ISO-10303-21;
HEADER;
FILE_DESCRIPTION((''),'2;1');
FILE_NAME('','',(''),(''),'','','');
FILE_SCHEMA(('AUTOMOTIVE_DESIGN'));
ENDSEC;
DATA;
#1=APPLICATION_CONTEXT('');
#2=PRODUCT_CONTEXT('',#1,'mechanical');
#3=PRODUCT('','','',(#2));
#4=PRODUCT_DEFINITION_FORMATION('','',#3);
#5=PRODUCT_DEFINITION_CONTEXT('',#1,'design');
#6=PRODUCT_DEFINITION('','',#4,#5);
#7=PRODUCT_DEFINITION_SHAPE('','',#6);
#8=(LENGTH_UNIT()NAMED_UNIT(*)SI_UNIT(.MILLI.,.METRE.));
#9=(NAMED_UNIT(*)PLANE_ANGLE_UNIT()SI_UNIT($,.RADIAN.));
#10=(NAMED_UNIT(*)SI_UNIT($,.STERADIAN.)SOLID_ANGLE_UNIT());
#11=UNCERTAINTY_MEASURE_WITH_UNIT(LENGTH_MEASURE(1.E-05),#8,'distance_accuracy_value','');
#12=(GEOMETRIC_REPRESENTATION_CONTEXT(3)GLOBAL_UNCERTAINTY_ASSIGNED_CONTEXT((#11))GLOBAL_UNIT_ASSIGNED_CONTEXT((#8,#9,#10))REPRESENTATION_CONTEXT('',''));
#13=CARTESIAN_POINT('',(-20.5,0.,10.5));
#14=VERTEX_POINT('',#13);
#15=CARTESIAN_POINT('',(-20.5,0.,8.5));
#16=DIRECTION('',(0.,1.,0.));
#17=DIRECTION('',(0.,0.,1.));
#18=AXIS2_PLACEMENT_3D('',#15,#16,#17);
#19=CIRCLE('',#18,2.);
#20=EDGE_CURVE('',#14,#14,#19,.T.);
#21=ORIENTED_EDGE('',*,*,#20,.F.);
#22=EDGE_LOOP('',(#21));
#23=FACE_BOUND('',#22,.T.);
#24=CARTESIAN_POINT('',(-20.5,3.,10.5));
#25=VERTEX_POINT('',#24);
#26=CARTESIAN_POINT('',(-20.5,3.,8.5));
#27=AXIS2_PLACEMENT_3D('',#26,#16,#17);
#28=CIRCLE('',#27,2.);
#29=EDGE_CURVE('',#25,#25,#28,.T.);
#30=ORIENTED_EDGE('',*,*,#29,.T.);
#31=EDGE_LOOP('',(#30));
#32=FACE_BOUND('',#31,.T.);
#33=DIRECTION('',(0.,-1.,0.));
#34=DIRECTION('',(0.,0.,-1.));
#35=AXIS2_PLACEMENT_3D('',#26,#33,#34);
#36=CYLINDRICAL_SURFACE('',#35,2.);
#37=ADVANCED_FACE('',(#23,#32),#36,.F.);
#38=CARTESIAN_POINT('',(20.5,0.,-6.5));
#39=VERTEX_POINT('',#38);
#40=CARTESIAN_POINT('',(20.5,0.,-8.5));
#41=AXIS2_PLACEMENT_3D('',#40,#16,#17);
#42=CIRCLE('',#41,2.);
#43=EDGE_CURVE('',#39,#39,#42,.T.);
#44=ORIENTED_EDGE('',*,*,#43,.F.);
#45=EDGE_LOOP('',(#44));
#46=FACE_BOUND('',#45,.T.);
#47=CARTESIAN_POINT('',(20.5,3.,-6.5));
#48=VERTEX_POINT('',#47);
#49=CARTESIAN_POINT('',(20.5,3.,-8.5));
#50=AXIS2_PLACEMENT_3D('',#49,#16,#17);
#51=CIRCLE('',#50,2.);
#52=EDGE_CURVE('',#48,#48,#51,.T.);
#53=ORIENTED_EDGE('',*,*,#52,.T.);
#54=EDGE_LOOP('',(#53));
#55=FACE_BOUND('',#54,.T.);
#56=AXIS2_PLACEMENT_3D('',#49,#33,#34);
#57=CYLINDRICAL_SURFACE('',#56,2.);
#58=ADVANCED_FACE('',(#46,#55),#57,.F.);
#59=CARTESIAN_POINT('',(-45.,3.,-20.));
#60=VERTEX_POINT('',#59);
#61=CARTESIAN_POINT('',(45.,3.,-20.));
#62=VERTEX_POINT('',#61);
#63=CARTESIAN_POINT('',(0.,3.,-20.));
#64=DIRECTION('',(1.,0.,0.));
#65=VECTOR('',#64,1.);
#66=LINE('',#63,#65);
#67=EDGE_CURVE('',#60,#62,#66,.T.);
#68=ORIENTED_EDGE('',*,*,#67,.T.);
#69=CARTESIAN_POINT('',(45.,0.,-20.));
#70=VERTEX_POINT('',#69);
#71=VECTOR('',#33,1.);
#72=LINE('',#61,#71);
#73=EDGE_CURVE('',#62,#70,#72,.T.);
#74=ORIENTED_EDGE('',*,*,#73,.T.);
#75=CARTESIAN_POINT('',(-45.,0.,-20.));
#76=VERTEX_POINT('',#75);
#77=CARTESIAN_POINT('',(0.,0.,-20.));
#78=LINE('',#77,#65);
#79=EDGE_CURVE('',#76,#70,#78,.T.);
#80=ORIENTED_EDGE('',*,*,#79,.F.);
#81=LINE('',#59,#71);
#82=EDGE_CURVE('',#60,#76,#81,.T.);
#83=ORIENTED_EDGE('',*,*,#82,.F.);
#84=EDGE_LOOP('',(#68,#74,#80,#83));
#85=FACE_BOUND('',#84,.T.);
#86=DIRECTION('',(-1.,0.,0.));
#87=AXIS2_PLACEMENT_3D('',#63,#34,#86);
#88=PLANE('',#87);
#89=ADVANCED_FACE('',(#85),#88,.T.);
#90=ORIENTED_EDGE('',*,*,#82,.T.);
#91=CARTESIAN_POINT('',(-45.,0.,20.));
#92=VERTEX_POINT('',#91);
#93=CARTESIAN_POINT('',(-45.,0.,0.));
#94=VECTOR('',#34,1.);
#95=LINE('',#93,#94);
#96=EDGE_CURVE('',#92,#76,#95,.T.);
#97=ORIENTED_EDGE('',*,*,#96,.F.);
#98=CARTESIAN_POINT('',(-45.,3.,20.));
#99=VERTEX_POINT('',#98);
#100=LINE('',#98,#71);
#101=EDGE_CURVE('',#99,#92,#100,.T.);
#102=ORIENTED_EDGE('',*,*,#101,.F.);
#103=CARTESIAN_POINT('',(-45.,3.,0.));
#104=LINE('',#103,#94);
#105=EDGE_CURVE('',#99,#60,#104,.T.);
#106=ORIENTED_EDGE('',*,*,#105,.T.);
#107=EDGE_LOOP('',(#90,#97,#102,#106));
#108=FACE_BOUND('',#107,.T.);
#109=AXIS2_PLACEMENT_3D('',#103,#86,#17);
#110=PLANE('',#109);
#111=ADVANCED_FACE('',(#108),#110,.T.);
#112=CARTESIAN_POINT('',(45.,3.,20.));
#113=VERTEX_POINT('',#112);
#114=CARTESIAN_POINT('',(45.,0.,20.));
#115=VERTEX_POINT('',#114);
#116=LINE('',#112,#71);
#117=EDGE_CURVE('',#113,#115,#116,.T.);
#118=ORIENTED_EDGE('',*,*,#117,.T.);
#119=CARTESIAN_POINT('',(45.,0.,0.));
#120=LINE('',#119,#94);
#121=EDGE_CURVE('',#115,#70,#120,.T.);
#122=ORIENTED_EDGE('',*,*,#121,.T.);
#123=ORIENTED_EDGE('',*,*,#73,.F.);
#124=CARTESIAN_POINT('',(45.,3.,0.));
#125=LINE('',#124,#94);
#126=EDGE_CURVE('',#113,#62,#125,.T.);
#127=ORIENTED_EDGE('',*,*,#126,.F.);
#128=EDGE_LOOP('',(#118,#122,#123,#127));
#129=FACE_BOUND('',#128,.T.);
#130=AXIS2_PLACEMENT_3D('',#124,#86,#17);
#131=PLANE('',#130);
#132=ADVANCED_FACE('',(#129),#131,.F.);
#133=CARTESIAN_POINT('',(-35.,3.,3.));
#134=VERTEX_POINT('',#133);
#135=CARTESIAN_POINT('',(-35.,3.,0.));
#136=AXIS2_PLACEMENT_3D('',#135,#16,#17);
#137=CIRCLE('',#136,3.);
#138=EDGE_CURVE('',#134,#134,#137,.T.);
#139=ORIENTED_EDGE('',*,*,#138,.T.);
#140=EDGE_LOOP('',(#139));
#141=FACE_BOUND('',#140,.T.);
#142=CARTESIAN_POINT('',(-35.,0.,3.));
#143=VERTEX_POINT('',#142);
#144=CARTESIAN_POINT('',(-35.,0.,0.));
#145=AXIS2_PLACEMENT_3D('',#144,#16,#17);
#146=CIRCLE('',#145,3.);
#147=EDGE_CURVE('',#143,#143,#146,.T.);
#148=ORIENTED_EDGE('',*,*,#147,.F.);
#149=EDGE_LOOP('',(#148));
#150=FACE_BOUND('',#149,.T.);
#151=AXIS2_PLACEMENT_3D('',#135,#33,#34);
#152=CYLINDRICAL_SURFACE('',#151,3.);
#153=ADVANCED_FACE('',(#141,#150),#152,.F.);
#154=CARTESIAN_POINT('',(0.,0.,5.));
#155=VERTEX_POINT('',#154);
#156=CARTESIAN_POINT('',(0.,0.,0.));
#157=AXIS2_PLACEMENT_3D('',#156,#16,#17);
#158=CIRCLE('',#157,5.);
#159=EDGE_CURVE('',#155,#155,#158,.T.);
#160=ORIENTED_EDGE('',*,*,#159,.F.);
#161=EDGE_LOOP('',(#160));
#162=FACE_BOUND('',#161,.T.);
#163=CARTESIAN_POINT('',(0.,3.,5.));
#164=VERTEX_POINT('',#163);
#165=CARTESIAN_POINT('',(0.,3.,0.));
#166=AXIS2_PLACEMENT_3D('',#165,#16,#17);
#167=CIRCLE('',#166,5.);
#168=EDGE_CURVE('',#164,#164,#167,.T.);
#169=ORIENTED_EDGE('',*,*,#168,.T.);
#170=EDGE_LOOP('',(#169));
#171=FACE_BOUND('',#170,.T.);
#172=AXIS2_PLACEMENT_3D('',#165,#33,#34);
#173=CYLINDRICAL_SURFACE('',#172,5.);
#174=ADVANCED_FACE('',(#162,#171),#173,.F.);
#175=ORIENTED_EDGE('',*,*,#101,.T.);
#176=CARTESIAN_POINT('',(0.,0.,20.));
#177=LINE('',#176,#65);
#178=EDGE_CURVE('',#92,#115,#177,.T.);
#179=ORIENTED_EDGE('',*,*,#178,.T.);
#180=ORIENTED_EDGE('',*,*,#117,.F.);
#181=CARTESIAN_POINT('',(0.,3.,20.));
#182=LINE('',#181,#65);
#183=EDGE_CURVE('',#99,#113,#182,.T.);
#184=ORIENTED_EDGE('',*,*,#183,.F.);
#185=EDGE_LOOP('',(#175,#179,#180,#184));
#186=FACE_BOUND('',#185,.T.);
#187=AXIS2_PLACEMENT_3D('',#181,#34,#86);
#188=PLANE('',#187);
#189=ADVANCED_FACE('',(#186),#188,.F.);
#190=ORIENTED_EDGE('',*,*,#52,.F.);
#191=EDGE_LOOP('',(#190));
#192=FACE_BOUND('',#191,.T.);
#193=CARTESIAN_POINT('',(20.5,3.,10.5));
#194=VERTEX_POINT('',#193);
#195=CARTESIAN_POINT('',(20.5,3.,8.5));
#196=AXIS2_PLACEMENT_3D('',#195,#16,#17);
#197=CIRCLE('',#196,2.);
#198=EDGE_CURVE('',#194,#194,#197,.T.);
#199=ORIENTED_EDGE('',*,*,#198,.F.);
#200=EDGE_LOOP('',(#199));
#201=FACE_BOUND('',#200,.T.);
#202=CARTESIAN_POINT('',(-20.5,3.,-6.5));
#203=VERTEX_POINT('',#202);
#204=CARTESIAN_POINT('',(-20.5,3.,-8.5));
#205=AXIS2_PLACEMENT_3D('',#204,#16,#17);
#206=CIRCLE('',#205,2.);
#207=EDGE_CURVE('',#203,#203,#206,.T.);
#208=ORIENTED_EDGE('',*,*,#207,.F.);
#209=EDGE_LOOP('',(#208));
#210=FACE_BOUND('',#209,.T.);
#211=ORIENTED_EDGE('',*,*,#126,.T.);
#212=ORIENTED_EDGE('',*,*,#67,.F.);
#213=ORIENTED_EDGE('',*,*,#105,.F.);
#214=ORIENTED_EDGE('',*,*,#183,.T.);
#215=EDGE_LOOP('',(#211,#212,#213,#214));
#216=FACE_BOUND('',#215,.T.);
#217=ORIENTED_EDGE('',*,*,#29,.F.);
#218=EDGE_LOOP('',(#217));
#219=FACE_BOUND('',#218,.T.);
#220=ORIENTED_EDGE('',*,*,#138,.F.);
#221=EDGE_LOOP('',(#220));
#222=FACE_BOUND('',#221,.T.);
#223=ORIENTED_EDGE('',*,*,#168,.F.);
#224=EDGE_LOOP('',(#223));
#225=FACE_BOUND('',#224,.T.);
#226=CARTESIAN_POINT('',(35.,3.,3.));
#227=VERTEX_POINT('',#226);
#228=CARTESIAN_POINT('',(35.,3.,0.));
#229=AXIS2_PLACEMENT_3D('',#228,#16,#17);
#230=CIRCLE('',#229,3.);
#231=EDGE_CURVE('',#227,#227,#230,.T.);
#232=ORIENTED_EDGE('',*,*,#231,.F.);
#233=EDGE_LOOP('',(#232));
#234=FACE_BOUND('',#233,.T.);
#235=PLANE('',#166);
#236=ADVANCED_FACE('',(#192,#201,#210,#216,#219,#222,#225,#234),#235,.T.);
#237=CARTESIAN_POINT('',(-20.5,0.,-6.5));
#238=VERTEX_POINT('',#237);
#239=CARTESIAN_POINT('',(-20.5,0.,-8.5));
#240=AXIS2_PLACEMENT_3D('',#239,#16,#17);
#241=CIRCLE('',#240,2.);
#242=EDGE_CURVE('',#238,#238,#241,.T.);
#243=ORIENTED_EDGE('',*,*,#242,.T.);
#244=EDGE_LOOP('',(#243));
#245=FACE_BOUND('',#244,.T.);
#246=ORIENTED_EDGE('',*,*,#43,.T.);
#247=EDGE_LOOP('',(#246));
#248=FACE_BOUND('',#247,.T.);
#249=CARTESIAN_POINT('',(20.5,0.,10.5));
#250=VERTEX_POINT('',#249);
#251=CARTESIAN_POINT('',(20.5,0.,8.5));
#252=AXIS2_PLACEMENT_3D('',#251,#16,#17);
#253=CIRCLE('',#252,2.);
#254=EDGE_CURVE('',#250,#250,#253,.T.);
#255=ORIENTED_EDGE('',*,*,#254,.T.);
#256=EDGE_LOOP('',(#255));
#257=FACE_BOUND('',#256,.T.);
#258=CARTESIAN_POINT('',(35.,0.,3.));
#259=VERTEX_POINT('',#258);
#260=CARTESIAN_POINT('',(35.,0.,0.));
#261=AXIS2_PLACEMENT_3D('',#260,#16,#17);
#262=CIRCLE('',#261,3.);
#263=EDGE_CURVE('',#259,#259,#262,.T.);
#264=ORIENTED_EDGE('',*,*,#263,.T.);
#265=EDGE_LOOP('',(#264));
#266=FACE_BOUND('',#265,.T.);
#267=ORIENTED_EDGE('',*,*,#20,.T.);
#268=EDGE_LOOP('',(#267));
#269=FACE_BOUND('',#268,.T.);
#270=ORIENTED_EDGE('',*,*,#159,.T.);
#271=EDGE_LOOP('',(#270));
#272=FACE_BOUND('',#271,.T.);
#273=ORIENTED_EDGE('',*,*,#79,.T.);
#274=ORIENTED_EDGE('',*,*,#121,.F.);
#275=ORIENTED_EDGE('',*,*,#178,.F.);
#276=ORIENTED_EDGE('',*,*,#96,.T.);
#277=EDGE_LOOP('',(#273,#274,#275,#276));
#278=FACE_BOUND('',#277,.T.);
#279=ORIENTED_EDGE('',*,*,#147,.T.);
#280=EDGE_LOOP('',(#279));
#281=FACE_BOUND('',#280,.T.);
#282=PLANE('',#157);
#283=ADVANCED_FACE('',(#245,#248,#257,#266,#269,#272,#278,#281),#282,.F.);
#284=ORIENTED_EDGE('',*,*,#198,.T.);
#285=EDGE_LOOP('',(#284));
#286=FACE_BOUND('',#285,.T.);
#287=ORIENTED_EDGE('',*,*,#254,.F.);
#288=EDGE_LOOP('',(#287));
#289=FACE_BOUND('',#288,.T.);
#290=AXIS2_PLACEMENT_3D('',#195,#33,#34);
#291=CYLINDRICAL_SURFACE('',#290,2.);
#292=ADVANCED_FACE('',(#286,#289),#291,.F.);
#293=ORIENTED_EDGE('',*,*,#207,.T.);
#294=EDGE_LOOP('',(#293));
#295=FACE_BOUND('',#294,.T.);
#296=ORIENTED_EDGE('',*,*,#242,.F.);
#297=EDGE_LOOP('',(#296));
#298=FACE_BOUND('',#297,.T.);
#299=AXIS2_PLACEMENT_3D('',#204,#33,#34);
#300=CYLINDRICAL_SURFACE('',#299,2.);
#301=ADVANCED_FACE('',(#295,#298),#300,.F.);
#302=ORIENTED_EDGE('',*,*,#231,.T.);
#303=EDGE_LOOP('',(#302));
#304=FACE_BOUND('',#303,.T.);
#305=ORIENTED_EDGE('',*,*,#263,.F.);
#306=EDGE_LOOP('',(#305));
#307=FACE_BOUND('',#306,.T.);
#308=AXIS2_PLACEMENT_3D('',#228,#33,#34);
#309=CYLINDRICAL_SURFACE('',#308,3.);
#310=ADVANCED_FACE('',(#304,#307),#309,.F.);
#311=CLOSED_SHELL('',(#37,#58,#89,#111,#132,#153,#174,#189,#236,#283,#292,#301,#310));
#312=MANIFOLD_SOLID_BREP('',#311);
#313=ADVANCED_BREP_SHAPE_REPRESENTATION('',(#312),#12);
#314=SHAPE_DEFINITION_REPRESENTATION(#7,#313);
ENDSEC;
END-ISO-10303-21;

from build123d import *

# Parameters (mm, degrees)
SKETCH_1_W      = 90
SKETCH_1_H      = 40
SKETCH_1_R      = 5
SKETCH_1_R_2    = 3
SKETCH_1_R_3    = 2
EXTRUDE_1_DEPTH = 3


with BuildPart() as part:
    # 草图1 → 凸台-拉伸1 (new body)
    with BuildSketch(Plane(origin=(0, 0, 0), x_dir=(1, 0, 0), z_dir=(0, 1, 0))):
        Rectangle(SKETCH_1_W, SKETCH_1_H)
        with Locations(Location((0, 0, 0), (0, 0, 270))):
            Circle(SKETCH_1_R, mode=Mode.SUBTRACT)
        with Locations(Location((-35, 0, 0), (0, 0, 270))):
            Circle(SKETCH_1_R_2, mode=Mode.SUBTRACT)
        with Locations(Location((35, 0, 0), (0, 0, 270))):
            Circle(SKETCH_1_R_2, mode=Mode.SUBTRACT)
        with Locations(Location((-20.5, 8.5, 0), (0, 0, 270))):
            Circle(SKETCH_1_R_3, mode=Mode.SUBTRACT)
        with Locations(Location((20.5, 8.5, 0), (0, 0, 270))):
            Circle(SKETCH_1_R_3, mode=Mode.SUBTRACT)
        with Locations(Location((20.5, -8.5, 0), (0, 0, 270))):
            Circle(SKETCH_1_R_3, mode=Mode.SUBTRACT)
        with Locations(Location((-20.5, -8.5, 0), (0, 0, 270))):
            Circle(SKETCH_1_R_3, mode=Mode.SUBTRACT)
    extrude(amount=EXTRUDE_1_DEPTH)


solid = part.part
